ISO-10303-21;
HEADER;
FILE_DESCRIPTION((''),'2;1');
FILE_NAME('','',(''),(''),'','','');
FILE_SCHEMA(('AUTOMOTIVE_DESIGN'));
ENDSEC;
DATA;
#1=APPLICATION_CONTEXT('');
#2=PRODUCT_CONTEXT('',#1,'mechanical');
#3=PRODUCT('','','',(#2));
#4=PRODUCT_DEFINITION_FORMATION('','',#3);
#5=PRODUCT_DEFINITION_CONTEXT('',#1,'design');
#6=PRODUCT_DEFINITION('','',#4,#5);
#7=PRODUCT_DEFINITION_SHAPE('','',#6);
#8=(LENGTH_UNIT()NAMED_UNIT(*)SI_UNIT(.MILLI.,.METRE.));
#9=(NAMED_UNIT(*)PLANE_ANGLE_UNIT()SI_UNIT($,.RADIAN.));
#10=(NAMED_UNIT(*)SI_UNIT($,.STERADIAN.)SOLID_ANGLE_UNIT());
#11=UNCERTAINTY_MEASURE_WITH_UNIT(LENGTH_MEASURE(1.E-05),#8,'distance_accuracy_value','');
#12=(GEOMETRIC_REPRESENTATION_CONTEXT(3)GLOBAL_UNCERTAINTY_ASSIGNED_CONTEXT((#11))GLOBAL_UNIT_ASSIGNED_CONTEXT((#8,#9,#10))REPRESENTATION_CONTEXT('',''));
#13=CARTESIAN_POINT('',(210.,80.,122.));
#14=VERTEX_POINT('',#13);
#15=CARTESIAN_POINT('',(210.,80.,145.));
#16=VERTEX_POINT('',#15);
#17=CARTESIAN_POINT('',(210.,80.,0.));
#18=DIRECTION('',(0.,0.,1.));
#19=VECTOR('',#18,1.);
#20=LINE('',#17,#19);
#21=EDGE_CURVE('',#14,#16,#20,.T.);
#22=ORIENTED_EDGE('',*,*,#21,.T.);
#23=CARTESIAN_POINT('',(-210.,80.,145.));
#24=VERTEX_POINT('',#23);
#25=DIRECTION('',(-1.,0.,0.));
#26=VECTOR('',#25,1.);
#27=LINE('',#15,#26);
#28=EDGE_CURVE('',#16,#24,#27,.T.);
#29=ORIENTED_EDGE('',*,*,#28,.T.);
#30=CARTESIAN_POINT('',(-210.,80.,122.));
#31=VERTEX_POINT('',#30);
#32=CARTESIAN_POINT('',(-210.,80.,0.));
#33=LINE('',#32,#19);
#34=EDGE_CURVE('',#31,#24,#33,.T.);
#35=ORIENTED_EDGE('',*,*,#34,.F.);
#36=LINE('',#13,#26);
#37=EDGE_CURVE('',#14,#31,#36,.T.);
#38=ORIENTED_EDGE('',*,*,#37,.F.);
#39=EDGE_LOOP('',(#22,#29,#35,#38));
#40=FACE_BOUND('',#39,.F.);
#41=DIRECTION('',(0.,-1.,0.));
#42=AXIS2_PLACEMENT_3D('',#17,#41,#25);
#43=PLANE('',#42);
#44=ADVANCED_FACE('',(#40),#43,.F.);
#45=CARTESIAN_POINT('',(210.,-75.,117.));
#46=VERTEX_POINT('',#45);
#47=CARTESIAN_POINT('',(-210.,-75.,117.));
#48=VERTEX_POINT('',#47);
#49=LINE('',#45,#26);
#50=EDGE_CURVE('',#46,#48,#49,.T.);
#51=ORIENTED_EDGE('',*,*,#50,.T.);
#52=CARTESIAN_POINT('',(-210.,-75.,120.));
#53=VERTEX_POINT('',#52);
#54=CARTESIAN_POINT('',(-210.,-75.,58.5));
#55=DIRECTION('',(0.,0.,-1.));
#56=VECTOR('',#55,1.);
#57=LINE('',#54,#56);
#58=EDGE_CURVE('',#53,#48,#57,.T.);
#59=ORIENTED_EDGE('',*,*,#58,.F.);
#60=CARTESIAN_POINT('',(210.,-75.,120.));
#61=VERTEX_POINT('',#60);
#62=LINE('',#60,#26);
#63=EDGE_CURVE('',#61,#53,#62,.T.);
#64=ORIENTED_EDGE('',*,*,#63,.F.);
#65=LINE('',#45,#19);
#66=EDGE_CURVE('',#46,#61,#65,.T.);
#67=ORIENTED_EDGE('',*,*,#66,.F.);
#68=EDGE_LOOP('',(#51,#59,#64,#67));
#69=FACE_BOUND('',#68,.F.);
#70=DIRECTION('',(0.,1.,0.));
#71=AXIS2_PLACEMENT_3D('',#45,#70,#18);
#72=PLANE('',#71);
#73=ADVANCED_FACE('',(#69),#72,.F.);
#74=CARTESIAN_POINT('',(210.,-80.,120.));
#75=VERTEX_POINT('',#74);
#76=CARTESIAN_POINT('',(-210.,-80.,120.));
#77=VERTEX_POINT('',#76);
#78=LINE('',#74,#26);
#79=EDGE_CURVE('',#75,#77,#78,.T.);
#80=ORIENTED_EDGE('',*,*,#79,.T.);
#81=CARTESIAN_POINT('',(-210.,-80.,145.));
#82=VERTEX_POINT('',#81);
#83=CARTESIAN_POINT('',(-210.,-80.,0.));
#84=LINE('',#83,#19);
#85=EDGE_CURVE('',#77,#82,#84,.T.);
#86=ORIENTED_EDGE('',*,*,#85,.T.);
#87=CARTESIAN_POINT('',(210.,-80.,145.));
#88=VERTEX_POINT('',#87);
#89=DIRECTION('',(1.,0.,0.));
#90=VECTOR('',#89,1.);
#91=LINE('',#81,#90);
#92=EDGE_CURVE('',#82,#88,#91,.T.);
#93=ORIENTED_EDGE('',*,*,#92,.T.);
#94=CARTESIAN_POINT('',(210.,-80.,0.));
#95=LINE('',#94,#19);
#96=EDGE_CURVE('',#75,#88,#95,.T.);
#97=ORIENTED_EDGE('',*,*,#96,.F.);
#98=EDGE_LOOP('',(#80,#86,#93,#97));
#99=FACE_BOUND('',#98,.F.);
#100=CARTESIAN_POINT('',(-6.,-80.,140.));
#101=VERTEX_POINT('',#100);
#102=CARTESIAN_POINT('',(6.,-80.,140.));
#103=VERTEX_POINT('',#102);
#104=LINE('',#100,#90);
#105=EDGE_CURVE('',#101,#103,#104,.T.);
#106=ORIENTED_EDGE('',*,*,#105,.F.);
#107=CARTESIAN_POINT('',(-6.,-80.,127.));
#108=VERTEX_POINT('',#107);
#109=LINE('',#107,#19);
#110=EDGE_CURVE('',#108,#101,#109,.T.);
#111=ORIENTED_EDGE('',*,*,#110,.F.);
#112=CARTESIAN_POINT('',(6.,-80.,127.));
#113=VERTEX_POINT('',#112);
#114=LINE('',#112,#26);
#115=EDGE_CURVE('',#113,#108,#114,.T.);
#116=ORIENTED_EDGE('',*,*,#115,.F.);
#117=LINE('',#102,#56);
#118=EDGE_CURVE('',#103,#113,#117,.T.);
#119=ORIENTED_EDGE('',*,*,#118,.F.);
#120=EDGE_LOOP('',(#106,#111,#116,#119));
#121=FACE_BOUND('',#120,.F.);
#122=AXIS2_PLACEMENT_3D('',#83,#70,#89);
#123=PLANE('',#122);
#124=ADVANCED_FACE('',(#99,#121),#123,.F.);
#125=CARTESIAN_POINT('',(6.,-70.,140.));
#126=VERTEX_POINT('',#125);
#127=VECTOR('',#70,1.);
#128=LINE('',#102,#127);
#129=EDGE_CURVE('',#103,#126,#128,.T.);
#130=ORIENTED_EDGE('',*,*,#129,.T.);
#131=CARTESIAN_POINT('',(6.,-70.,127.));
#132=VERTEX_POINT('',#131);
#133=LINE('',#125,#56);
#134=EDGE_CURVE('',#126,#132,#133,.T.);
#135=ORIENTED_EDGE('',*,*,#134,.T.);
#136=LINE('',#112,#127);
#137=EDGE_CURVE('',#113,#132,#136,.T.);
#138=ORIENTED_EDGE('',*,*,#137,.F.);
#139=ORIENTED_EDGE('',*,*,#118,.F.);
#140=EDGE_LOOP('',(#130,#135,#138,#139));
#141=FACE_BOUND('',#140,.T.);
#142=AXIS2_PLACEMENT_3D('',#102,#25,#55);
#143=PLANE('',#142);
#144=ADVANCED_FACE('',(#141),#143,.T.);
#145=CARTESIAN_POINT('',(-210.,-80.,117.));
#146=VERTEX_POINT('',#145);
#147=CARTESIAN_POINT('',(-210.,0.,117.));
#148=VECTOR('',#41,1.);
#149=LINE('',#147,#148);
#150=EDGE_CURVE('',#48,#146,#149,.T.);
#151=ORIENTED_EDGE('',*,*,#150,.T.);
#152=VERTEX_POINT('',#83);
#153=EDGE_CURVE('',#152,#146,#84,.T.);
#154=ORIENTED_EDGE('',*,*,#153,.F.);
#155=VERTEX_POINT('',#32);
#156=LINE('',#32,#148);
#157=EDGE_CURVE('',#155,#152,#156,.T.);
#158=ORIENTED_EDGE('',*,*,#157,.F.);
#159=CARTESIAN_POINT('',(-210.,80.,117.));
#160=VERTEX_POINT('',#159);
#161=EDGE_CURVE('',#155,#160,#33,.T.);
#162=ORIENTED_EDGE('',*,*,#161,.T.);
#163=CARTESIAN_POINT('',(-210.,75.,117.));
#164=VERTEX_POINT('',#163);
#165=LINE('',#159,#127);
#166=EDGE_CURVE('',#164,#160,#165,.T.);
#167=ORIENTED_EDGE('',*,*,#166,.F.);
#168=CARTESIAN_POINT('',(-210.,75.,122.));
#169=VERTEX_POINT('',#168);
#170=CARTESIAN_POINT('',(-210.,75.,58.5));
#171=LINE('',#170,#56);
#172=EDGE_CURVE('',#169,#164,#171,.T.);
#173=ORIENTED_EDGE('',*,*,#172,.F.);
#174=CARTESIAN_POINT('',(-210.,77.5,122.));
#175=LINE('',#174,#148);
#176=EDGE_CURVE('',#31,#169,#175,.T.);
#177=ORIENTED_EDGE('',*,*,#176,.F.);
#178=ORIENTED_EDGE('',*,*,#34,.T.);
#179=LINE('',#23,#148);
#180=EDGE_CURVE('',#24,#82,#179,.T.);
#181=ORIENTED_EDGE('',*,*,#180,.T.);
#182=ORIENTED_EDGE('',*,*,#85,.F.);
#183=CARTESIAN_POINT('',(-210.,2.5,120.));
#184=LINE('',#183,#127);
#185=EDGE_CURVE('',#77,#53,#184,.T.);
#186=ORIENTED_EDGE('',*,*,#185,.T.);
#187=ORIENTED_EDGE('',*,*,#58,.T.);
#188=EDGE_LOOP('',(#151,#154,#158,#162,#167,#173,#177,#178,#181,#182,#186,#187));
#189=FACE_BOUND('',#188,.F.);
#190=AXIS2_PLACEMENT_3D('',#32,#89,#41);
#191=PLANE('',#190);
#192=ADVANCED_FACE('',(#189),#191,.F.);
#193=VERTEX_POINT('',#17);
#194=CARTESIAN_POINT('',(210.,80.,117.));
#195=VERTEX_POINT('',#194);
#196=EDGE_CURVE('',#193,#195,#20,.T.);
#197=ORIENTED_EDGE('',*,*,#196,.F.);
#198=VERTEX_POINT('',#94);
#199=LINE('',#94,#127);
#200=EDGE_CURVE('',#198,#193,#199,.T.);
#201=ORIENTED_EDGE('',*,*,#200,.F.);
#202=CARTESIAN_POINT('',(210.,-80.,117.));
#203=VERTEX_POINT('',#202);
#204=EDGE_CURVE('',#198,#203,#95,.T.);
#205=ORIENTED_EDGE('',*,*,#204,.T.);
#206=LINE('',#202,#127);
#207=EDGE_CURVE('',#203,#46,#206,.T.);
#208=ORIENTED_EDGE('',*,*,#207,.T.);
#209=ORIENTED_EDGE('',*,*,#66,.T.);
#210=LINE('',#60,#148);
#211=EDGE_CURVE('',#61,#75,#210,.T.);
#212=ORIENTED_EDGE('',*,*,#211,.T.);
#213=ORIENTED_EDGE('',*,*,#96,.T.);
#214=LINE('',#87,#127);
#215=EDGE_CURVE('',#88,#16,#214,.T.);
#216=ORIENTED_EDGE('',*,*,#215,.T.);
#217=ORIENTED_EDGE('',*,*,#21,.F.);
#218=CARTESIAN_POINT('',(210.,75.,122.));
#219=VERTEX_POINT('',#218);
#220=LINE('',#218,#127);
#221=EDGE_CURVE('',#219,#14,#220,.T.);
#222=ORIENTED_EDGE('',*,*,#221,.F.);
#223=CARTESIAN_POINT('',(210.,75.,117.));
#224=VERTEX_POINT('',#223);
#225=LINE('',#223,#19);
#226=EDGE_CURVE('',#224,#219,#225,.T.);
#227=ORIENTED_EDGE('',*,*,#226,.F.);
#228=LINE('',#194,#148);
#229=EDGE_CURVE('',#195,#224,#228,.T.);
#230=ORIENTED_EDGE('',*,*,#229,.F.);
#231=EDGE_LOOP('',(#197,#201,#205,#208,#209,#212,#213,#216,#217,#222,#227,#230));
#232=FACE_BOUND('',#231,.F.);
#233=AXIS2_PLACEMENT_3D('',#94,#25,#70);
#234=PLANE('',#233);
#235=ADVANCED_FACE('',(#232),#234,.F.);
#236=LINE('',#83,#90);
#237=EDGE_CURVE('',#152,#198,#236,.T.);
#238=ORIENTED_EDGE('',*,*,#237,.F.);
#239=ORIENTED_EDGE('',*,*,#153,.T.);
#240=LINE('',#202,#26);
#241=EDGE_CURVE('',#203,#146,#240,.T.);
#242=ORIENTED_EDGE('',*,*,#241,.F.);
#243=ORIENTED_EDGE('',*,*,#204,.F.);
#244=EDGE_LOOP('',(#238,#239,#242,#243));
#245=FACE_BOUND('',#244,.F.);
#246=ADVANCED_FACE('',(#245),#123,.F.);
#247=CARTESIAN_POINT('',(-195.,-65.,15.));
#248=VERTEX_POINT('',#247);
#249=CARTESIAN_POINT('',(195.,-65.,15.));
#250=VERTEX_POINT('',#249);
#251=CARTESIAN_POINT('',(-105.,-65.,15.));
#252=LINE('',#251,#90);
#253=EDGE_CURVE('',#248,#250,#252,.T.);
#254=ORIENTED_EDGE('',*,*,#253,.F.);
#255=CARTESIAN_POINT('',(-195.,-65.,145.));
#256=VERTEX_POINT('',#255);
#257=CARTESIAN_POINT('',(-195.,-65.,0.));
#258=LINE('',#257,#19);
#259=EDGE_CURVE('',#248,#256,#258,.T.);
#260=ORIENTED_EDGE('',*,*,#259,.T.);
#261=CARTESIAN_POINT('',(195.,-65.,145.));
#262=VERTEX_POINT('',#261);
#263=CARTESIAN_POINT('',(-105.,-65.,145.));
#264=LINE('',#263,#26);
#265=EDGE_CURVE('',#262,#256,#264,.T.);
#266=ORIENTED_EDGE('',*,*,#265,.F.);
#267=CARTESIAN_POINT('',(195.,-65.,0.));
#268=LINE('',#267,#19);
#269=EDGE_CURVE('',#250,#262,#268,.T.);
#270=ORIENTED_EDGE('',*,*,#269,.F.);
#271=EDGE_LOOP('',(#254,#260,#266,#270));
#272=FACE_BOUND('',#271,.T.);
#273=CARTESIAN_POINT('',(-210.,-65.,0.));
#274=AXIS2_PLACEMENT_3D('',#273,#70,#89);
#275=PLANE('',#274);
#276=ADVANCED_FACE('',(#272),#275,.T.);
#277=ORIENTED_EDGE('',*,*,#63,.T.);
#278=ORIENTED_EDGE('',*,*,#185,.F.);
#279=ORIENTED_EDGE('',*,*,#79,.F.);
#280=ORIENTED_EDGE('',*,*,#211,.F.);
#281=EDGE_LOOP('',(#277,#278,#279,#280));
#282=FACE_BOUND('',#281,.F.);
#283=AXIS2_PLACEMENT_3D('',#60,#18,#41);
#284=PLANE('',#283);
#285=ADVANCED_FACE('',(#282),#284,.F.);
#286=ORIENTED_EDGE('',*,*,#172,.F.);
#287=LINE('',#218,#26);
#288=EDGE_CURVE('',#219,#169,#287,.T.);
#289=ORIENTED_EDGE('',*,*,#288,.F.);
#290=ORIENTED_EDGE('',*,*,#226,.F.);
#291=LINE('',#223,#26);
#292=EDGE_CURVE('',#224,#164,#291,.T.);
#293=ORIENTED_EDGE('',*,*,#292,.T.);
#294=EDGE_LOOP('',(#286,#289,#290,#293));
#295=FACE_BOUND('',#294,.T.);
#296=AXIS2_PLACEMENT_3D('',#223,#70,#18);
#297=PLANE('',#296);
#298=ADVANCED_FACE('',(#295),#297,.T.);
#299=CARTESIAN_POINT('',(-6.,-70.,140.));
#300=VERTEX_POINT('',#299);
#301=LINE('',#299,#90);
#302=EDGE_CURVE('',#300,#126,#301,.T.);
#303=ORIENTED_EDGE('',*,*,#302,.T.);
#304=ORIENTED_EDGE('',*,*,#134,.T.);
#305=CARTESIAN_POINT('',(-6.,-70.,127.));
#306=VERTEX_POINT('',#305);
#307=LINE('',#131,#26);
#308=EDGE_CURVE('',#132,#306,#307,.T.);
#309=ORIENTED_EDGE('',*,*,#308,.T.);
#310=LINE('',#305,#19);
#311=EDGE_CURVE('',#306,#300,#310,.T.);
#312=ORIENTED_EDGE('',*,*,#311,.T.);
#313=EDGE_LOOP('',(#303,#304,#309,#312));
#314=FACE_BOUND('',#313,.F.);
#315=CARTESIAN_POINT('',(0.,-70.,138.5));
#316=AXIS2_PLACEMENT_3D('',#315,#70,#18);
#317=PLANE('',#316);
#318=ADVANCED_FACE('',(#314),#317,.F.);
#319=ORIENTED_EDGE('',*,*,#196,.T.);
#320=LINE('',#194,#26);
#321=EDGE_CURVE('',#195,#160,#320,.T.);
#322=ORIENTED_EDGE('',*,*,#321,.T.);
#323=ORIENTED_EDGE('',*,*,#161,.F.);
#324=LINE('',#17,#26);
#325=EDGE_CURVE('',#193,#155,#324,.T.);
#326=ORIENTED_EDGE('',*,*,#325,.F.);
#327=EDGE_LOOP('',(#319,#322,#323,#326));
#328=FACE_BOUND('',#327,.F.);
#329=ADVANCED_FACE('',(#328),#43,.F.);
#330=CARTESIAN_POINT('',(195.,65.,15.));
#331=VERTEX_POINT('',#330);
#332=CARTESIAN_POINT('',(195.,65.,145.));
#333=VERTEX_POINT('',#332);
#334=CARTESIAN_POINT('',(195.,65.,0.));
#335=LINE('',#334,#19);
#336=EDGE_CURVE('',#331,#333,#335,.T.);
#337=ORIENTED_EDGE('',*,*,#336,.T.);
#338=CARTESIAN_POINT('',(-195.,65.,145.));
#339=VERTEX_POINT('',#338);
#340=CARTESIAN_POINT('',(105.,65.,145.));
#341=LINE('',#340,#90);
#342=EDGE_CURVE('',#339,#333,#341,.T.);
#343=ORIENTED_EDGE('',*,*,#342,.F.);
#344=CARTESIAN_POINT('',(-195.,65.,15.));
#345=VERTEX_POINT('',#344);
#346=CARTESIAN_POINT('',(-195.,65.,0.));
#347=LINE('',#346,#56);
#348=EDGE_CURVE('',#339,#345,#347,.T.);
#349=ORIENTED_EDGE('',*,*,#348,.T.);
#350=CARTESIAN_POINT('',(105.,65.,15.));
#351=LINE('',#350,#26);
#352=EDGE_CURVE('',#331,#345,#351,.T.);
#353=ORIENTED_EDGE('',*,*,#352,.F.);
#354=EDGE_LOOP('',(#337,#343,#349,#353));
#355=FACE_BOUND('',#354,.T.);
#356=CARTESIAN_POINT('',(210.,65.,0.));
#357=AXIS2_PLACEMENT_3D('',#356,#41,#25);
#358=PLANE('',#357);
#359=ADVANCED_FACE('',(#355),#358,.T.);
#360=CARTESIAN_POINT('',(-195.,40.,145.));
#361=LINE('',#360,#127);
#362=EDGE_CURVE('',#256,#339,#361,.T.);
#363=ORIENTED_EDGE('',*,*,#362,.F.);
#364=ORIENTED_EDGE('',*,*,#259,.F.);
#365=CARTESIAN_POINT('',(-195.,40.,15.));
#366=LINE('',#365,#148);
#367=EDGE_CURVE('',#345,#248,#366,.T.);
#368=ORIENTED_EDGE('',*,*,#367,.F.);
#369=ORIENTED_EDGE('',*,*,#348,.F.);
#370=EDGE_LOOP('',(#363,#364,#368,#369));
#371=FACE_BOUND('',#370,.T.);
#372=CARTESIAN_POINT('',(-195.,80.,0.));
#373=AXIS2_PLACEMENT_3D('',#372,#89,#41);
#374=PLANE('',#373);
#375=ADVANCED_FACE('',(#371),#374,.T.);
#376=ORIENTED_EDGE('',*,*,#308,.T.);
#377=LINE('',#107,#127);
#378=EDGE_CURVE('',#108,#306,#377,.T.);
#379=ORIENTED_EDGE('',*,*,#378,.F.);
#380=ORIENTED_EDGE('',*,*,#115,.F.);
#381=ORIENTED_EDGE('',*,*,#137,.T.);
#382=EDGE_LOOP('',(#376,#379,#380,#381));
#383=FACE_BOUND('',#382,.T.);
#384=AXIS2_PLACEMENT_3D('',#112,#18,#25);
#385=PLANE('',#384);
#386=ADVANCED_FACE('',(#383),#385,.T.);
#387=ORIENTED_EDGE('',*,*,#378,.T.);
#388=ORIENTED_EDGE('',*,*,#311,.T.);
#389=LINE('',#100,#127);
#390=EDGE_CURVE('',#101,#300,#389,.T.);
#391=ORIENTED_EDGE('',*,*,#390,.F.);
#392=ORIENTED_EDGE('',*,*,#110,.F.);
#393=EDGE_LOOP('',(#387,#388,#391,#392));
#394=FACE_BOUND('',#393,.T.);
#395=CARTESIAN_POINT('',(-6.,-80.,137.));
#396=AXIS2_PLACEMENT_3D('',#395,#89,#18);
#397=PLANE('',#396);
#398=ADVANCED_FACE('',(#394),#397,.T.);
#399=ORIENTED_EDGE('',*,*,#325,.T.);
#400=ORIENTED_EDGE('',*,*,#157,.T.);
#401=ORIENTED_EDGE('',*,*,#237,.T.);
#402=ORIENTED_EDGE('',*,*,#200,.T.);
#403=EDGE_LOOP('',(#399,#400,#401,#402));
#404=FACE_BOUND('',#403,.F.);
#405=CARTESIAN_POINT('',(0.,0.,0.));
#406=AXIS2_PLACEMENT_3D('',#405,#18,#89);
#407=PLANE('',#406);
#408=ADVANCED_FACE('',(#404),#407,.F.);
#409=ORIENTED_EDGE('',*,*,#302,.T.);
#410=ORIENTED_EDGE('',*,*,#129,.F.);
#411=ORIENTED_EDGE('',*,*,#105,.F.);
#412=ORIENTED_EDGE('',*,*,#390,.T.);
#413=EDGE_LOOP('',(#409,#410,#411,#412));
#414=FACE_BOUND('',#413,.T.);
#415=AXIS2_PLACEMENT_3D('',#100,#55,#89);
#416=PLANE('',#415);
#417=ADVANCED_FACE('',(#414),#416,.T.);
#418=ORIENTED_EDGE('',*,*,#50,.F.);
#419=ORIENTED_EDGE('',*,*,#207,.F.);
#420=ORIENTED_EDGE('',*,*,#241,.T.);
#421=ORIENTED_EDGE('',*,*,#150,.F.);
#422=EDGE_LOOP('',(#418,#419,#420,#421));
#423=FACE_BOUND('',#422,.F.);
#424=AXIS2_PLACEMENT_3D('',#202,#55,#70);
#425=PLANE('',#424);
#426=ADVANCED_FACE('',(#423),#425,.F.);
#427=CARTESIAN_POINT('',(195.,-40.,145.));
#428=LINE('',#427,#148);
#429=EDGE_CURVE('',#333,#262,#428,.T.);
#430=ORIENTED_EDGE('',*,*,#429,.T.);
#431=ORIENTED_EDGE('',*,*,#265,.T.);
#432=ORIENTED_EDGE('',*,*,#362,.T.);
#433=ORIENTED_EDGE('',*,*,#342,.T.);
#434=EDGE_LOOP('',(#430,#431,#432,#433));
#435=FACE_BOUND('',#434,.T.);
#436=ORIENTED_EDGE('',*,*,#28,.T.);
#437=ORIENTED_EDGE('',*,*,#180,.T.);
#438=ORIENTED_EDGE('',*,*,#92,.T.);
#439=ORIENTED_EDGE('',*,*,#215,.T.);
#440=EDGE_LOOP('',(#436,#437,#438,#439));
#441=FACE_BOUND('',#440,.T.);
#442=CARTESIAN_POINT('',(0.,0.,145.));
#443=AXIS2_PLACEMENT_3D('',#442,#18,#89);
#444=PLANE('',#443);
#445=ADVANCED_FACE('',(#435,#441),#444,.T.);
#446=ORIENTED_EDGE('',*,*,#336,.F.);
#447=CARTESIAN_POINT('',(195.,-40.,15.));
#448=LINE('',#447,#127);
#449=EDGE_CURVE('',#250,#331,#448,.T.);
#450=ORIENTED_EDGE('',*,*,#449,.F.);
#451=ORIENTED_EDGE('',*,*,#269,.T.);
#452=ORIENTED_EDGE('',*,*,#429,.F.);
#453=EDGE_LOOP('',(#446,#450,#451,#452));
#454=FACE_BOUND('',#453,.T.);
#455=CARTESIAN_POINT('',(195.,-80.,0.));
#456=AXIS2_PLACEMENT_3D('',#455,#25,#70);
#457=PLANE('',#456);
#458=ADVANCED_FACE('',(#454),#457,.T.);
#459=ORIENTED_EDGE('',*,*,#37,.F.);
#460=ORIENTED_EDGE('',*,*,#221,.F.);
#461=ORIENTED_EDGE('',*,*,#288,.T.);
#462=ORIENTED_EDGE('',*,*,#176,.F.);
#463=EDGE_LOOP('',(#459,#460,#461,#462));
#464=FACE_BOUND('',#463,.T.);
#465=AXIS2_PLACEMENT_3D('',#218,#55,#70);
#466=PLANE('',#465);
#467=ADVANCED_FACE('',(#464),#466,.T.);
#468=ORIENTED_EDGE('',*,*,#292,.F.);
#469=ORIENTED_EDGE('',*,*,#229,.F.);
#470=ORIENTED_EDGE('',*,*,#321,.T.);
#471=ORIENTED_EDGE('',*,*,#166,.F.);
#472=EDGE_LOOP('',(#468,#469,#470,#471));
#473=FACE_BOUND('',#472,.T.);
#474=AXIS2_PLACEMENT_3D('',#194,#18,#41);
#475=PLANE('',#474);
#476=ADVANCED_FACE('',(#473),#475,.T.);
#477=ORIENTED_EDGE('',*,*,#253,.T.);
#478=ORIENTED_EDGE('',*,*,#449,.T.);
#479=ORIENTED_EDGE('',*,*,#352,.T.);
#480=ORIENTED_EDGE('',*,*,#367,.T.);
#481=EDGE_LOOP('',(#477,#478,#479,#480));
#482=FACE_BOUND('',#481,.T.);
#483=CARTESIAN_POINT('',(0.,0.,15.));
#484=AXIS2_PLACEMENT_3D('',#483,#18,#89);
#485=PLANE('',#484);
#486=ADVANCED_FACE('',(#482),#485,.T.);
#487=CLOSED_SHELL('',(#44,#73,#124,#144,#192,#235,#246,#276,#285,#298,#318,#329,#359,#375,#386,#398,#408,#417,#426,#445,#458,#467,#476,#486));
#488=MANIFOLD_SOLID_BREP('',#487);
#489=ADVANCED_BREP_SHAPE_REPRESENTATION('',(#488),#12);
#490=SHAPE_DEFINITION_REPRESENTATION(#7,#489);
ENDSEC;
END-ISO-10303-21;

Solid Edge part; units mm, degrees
sketch "Sketch1" plane through (0, 0, 0) normal (0, 0, 1) x (1, 0, 0)
  line L0 (-210, 80) -> (-210, -80)
  line L1 (-210, -80) -> (210, -80)
  line L2 (210, -80) -> (210, 80)
  line L3 (210, 80) -> (-210, 80)
extrude "Protrusion1" add sketch "Sketch1" along normal blind 145
shell "Thinwall_2" thickness 15 removed faces 1 at (-144.2, -51.7333, 145)
sketch "Sketch2" plane through (0, -80, 72.5) normal (0, -1, 0) x (1, 0, 0)
  line L0 (-6, 64.5) -> (6, 64.5)
  line L1 (6, 64.5) -> (6, 54.5)
  line L2 (6, 54.5) -> (-6, 54.5)
  line L3 (-6, 54.5) -> (-6, 64.5)
extrude "Cutout1" cut sketch "Sketch2" against normal blind 10
sketch "Sketch3" plane through (0, -80, 72.5) normal (0, -1, 0) x (1, 0, 0)
  line L0 (-6, 67.5) -> (6, 67.5)
  line L1 (6, 67.5) -> (6, 64.5)
  line L2 (6, 64.5) -> (-6, 64.5)
  line L3 (-6, 64.5) -> (-6, 67.5)
extrude "Cutout2" cut sketch "Sketch3" against normal blind 10
sketch "Sketch4" plane through (210, 0, 72.5) normal (1, 0, 0) x (0, 1, 0)
  line L0 (-75, 47.5) -> (-80, 47.5)
  line L1 (-80, 47.5) -> (-80, 44.5)
  line L2 (-80, 44.5) -> (-75, 44.5)
  line L3 (-75, 44.5) -> (-75, 47.5)
  line L4 (75, 49.5) -> (80, 49.5)
  line L5 (80, 49.5) -> (80, 44.5)
  line L6 (80, 44.5) -> (75, 44.5)
  line L7 (75, 44.5) -> (75, 49.5)
extrude "Cutout3" cut sketch "Sketch4" against normal up to next
properties material "ABS Plastic, high impact"
